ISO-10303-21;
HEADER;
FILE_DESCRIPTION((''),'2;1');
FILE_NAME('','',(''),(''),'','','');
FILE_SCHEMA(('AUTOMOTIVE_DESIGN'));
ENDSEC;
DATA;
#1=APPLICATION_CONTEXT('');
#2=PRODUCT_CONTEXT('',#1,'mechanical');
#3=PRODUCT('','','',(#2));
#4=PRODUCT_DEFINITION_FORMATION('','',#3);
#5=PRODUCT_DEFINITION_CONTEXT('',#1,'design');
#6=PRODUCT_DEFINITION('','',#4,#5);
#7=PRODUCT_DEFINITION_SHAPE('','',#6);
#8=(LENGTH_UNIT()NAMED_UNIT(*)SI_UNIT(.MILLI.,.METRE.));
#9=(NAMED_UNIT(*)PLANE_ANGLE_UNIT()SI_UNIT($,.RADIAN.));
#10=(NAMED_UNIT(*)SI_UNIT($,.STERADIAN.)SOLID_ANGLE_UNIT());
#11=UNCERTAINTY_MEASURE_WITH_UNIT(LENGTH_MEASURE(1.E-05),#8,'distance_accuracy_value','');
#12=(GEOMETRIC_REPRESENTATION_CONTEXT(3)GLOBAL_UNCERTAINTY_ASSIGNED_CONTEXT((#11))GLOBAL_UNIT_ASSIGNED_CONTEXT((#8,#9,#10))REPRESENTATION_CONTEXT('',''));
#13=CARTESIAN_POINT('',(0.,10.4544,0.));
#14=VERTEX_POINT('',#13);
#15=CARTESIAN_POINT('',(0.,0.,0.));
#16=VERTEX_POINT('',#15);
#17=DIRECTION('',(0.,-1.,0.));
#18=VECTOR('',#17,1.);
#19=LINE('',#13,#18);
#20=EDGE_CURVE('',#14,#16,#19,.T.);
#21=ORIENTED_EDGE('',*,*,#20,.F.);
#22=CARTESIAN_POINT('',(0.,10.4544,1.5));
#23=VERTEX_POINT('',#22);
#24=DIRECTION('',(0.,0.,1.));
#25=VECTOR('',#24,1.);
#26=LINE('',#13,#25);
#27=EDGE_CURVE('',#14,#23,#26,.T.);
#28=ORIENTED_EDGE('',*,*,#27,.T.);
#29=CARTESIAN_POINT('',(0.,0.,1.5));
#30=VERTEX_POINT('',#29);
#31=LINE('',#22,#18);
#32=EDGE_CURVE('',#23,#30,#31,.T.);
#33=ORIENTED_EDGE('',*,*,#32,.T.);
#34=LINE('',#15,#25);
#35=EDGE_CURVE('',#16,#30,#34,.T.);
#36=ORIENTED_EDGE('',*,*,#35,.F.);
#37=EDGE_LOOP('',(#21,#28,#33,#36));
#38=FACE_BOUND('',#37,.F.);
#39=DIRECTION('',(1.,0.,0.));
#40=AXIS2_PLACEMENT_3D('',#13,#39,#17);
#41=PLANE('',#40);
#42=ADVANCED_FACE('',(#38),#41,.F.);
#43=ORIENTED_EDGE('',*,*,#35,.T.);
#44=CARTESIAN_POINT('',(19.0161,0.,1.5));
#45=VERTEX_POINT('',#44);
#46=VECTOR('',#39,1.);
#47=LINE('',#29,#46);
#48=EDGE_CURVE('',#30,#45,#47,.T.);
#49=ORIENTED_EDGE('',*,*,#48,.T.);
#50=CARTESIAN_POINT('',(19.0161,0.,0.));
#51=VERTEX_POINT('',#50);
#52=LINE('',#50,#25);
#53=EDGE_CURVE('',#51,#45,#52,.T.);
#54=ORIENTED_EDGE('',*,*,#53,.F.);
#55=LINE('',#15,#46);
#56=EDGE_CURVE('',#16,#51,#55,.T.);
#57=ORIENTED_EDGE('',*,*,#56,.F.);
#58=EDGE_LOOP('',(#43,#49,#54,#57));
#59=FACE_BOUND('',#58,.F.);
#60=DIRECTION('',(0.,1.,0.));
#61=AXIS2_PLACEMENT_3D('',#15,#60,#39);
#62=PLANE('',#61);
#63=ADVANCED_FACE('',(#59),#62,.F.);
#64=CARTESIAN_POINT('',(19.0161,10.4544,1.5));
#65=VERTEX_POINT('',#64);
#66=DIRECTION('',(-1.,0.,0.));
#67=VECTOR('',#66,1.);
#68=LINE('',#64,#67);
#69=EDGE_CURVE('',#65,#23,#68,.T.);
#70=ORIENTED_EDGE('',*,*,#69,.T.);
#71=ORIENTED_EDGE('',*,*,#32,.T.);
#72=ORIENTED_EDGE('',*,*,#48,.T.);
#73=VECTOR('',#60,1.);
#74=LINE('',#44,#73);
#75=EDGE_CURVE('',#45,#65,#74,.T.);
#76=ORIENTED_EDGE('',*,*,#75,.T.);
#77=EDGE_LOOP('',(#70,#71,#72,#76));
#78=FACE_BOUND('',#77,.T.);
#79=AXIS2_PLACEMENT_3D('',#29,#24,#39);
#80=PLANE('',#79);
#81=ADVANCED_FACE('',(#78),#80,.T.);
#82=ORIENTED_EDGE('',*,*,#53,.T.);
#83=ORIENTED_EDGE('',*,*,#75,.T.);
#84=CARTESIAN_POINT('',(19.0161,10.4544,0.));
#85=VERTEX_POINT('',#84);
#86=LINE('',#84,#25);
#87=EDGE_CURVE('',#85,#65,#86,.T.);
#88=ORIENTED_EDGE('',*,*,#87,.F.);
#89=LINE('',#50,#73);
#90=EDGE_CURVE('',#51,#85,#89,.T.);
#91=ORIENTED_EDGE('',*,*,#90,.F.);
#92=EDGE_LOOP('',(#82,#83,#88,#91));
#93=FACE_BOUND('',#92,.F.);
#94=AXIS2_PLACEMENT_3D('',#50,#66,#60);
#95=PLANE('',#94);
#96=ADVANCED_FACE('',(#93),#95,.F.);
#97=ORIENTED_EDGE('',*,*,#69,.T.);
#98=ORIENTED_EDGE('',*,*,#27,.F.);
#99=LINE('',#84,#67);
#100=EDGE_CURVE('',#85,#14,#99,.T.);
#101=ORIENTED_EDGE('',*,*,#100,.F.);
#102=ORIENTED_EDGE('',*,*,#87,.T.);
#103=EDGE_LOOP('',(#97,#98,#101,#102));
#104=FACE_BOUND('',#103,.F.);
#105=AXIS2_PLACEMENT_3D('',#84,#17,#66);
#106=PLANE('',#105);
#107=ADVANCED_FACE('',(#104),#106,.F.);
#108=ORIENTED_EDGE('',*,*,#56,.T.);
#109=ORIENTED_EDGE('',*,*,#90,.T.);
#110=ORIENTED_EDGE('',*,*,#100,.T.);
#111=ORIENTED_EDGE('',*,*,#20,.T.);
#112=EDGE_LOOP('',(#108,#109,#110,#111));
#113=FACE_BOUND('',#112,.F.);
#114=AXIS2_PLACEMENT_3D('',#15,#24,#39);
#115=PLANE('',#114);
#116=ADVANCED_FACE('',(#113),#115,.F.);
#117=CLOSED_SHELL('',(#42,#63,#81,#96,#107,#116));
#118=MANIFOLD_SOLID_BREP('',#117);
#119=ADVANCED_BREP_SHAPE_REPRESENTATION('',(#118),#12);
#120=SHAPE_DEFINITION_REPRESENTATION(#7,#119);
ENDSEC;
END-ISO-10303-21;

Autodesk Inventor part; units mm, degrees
ref_plane "YZ Plane" through (0, 0, 0) normal (1, 0, 0) x (0, 1, 0)
ref_plane "XZ Plane" through (0, 0, 0) normal (0, 1, 0) x (-1, 0, 0)
ref_plane "XY Plane" through (0, 0, 0) normal (0, 0, 1) x (1, 0, 0)
sketch "Эскиз1" plane through (0, 0, 0) normal (0, 0, 1) x (1, 0, 0)
  line L0 (0, 0) -> (19.0161, 0)
  line L1 (19.0161, 0) -> (19.0161, 10.4544)
  line L2 (19.0161, 10.4544) -> (0, 10.4544)
  line L3 (0, 10.4544) -> (0, 0)
extrude "Пластина1" add sketch "Эскиз1" along normal blind 1.5
equation "\"d0\" = Толщина"
equation "\"Радиус_гибки\" = Толщина"
equation "\"Ширина_просечки\" = Толщина"
equation "\"Глубина_просечки\" = 0.5 * Толщина"
equation "\"Размер_просечки\" = 4 * Толщина"
equation "\"Мин_остаток\" = 2 * Толщина"
equation "\"Радиус_перехода\" = Радиус_гибки"
equation "\"Радиус_Якоби\" = Радиус_гибки"
equation "\"Размер_зазора\" = Толщина"
equation "\"Толщина\" = 1.5"
